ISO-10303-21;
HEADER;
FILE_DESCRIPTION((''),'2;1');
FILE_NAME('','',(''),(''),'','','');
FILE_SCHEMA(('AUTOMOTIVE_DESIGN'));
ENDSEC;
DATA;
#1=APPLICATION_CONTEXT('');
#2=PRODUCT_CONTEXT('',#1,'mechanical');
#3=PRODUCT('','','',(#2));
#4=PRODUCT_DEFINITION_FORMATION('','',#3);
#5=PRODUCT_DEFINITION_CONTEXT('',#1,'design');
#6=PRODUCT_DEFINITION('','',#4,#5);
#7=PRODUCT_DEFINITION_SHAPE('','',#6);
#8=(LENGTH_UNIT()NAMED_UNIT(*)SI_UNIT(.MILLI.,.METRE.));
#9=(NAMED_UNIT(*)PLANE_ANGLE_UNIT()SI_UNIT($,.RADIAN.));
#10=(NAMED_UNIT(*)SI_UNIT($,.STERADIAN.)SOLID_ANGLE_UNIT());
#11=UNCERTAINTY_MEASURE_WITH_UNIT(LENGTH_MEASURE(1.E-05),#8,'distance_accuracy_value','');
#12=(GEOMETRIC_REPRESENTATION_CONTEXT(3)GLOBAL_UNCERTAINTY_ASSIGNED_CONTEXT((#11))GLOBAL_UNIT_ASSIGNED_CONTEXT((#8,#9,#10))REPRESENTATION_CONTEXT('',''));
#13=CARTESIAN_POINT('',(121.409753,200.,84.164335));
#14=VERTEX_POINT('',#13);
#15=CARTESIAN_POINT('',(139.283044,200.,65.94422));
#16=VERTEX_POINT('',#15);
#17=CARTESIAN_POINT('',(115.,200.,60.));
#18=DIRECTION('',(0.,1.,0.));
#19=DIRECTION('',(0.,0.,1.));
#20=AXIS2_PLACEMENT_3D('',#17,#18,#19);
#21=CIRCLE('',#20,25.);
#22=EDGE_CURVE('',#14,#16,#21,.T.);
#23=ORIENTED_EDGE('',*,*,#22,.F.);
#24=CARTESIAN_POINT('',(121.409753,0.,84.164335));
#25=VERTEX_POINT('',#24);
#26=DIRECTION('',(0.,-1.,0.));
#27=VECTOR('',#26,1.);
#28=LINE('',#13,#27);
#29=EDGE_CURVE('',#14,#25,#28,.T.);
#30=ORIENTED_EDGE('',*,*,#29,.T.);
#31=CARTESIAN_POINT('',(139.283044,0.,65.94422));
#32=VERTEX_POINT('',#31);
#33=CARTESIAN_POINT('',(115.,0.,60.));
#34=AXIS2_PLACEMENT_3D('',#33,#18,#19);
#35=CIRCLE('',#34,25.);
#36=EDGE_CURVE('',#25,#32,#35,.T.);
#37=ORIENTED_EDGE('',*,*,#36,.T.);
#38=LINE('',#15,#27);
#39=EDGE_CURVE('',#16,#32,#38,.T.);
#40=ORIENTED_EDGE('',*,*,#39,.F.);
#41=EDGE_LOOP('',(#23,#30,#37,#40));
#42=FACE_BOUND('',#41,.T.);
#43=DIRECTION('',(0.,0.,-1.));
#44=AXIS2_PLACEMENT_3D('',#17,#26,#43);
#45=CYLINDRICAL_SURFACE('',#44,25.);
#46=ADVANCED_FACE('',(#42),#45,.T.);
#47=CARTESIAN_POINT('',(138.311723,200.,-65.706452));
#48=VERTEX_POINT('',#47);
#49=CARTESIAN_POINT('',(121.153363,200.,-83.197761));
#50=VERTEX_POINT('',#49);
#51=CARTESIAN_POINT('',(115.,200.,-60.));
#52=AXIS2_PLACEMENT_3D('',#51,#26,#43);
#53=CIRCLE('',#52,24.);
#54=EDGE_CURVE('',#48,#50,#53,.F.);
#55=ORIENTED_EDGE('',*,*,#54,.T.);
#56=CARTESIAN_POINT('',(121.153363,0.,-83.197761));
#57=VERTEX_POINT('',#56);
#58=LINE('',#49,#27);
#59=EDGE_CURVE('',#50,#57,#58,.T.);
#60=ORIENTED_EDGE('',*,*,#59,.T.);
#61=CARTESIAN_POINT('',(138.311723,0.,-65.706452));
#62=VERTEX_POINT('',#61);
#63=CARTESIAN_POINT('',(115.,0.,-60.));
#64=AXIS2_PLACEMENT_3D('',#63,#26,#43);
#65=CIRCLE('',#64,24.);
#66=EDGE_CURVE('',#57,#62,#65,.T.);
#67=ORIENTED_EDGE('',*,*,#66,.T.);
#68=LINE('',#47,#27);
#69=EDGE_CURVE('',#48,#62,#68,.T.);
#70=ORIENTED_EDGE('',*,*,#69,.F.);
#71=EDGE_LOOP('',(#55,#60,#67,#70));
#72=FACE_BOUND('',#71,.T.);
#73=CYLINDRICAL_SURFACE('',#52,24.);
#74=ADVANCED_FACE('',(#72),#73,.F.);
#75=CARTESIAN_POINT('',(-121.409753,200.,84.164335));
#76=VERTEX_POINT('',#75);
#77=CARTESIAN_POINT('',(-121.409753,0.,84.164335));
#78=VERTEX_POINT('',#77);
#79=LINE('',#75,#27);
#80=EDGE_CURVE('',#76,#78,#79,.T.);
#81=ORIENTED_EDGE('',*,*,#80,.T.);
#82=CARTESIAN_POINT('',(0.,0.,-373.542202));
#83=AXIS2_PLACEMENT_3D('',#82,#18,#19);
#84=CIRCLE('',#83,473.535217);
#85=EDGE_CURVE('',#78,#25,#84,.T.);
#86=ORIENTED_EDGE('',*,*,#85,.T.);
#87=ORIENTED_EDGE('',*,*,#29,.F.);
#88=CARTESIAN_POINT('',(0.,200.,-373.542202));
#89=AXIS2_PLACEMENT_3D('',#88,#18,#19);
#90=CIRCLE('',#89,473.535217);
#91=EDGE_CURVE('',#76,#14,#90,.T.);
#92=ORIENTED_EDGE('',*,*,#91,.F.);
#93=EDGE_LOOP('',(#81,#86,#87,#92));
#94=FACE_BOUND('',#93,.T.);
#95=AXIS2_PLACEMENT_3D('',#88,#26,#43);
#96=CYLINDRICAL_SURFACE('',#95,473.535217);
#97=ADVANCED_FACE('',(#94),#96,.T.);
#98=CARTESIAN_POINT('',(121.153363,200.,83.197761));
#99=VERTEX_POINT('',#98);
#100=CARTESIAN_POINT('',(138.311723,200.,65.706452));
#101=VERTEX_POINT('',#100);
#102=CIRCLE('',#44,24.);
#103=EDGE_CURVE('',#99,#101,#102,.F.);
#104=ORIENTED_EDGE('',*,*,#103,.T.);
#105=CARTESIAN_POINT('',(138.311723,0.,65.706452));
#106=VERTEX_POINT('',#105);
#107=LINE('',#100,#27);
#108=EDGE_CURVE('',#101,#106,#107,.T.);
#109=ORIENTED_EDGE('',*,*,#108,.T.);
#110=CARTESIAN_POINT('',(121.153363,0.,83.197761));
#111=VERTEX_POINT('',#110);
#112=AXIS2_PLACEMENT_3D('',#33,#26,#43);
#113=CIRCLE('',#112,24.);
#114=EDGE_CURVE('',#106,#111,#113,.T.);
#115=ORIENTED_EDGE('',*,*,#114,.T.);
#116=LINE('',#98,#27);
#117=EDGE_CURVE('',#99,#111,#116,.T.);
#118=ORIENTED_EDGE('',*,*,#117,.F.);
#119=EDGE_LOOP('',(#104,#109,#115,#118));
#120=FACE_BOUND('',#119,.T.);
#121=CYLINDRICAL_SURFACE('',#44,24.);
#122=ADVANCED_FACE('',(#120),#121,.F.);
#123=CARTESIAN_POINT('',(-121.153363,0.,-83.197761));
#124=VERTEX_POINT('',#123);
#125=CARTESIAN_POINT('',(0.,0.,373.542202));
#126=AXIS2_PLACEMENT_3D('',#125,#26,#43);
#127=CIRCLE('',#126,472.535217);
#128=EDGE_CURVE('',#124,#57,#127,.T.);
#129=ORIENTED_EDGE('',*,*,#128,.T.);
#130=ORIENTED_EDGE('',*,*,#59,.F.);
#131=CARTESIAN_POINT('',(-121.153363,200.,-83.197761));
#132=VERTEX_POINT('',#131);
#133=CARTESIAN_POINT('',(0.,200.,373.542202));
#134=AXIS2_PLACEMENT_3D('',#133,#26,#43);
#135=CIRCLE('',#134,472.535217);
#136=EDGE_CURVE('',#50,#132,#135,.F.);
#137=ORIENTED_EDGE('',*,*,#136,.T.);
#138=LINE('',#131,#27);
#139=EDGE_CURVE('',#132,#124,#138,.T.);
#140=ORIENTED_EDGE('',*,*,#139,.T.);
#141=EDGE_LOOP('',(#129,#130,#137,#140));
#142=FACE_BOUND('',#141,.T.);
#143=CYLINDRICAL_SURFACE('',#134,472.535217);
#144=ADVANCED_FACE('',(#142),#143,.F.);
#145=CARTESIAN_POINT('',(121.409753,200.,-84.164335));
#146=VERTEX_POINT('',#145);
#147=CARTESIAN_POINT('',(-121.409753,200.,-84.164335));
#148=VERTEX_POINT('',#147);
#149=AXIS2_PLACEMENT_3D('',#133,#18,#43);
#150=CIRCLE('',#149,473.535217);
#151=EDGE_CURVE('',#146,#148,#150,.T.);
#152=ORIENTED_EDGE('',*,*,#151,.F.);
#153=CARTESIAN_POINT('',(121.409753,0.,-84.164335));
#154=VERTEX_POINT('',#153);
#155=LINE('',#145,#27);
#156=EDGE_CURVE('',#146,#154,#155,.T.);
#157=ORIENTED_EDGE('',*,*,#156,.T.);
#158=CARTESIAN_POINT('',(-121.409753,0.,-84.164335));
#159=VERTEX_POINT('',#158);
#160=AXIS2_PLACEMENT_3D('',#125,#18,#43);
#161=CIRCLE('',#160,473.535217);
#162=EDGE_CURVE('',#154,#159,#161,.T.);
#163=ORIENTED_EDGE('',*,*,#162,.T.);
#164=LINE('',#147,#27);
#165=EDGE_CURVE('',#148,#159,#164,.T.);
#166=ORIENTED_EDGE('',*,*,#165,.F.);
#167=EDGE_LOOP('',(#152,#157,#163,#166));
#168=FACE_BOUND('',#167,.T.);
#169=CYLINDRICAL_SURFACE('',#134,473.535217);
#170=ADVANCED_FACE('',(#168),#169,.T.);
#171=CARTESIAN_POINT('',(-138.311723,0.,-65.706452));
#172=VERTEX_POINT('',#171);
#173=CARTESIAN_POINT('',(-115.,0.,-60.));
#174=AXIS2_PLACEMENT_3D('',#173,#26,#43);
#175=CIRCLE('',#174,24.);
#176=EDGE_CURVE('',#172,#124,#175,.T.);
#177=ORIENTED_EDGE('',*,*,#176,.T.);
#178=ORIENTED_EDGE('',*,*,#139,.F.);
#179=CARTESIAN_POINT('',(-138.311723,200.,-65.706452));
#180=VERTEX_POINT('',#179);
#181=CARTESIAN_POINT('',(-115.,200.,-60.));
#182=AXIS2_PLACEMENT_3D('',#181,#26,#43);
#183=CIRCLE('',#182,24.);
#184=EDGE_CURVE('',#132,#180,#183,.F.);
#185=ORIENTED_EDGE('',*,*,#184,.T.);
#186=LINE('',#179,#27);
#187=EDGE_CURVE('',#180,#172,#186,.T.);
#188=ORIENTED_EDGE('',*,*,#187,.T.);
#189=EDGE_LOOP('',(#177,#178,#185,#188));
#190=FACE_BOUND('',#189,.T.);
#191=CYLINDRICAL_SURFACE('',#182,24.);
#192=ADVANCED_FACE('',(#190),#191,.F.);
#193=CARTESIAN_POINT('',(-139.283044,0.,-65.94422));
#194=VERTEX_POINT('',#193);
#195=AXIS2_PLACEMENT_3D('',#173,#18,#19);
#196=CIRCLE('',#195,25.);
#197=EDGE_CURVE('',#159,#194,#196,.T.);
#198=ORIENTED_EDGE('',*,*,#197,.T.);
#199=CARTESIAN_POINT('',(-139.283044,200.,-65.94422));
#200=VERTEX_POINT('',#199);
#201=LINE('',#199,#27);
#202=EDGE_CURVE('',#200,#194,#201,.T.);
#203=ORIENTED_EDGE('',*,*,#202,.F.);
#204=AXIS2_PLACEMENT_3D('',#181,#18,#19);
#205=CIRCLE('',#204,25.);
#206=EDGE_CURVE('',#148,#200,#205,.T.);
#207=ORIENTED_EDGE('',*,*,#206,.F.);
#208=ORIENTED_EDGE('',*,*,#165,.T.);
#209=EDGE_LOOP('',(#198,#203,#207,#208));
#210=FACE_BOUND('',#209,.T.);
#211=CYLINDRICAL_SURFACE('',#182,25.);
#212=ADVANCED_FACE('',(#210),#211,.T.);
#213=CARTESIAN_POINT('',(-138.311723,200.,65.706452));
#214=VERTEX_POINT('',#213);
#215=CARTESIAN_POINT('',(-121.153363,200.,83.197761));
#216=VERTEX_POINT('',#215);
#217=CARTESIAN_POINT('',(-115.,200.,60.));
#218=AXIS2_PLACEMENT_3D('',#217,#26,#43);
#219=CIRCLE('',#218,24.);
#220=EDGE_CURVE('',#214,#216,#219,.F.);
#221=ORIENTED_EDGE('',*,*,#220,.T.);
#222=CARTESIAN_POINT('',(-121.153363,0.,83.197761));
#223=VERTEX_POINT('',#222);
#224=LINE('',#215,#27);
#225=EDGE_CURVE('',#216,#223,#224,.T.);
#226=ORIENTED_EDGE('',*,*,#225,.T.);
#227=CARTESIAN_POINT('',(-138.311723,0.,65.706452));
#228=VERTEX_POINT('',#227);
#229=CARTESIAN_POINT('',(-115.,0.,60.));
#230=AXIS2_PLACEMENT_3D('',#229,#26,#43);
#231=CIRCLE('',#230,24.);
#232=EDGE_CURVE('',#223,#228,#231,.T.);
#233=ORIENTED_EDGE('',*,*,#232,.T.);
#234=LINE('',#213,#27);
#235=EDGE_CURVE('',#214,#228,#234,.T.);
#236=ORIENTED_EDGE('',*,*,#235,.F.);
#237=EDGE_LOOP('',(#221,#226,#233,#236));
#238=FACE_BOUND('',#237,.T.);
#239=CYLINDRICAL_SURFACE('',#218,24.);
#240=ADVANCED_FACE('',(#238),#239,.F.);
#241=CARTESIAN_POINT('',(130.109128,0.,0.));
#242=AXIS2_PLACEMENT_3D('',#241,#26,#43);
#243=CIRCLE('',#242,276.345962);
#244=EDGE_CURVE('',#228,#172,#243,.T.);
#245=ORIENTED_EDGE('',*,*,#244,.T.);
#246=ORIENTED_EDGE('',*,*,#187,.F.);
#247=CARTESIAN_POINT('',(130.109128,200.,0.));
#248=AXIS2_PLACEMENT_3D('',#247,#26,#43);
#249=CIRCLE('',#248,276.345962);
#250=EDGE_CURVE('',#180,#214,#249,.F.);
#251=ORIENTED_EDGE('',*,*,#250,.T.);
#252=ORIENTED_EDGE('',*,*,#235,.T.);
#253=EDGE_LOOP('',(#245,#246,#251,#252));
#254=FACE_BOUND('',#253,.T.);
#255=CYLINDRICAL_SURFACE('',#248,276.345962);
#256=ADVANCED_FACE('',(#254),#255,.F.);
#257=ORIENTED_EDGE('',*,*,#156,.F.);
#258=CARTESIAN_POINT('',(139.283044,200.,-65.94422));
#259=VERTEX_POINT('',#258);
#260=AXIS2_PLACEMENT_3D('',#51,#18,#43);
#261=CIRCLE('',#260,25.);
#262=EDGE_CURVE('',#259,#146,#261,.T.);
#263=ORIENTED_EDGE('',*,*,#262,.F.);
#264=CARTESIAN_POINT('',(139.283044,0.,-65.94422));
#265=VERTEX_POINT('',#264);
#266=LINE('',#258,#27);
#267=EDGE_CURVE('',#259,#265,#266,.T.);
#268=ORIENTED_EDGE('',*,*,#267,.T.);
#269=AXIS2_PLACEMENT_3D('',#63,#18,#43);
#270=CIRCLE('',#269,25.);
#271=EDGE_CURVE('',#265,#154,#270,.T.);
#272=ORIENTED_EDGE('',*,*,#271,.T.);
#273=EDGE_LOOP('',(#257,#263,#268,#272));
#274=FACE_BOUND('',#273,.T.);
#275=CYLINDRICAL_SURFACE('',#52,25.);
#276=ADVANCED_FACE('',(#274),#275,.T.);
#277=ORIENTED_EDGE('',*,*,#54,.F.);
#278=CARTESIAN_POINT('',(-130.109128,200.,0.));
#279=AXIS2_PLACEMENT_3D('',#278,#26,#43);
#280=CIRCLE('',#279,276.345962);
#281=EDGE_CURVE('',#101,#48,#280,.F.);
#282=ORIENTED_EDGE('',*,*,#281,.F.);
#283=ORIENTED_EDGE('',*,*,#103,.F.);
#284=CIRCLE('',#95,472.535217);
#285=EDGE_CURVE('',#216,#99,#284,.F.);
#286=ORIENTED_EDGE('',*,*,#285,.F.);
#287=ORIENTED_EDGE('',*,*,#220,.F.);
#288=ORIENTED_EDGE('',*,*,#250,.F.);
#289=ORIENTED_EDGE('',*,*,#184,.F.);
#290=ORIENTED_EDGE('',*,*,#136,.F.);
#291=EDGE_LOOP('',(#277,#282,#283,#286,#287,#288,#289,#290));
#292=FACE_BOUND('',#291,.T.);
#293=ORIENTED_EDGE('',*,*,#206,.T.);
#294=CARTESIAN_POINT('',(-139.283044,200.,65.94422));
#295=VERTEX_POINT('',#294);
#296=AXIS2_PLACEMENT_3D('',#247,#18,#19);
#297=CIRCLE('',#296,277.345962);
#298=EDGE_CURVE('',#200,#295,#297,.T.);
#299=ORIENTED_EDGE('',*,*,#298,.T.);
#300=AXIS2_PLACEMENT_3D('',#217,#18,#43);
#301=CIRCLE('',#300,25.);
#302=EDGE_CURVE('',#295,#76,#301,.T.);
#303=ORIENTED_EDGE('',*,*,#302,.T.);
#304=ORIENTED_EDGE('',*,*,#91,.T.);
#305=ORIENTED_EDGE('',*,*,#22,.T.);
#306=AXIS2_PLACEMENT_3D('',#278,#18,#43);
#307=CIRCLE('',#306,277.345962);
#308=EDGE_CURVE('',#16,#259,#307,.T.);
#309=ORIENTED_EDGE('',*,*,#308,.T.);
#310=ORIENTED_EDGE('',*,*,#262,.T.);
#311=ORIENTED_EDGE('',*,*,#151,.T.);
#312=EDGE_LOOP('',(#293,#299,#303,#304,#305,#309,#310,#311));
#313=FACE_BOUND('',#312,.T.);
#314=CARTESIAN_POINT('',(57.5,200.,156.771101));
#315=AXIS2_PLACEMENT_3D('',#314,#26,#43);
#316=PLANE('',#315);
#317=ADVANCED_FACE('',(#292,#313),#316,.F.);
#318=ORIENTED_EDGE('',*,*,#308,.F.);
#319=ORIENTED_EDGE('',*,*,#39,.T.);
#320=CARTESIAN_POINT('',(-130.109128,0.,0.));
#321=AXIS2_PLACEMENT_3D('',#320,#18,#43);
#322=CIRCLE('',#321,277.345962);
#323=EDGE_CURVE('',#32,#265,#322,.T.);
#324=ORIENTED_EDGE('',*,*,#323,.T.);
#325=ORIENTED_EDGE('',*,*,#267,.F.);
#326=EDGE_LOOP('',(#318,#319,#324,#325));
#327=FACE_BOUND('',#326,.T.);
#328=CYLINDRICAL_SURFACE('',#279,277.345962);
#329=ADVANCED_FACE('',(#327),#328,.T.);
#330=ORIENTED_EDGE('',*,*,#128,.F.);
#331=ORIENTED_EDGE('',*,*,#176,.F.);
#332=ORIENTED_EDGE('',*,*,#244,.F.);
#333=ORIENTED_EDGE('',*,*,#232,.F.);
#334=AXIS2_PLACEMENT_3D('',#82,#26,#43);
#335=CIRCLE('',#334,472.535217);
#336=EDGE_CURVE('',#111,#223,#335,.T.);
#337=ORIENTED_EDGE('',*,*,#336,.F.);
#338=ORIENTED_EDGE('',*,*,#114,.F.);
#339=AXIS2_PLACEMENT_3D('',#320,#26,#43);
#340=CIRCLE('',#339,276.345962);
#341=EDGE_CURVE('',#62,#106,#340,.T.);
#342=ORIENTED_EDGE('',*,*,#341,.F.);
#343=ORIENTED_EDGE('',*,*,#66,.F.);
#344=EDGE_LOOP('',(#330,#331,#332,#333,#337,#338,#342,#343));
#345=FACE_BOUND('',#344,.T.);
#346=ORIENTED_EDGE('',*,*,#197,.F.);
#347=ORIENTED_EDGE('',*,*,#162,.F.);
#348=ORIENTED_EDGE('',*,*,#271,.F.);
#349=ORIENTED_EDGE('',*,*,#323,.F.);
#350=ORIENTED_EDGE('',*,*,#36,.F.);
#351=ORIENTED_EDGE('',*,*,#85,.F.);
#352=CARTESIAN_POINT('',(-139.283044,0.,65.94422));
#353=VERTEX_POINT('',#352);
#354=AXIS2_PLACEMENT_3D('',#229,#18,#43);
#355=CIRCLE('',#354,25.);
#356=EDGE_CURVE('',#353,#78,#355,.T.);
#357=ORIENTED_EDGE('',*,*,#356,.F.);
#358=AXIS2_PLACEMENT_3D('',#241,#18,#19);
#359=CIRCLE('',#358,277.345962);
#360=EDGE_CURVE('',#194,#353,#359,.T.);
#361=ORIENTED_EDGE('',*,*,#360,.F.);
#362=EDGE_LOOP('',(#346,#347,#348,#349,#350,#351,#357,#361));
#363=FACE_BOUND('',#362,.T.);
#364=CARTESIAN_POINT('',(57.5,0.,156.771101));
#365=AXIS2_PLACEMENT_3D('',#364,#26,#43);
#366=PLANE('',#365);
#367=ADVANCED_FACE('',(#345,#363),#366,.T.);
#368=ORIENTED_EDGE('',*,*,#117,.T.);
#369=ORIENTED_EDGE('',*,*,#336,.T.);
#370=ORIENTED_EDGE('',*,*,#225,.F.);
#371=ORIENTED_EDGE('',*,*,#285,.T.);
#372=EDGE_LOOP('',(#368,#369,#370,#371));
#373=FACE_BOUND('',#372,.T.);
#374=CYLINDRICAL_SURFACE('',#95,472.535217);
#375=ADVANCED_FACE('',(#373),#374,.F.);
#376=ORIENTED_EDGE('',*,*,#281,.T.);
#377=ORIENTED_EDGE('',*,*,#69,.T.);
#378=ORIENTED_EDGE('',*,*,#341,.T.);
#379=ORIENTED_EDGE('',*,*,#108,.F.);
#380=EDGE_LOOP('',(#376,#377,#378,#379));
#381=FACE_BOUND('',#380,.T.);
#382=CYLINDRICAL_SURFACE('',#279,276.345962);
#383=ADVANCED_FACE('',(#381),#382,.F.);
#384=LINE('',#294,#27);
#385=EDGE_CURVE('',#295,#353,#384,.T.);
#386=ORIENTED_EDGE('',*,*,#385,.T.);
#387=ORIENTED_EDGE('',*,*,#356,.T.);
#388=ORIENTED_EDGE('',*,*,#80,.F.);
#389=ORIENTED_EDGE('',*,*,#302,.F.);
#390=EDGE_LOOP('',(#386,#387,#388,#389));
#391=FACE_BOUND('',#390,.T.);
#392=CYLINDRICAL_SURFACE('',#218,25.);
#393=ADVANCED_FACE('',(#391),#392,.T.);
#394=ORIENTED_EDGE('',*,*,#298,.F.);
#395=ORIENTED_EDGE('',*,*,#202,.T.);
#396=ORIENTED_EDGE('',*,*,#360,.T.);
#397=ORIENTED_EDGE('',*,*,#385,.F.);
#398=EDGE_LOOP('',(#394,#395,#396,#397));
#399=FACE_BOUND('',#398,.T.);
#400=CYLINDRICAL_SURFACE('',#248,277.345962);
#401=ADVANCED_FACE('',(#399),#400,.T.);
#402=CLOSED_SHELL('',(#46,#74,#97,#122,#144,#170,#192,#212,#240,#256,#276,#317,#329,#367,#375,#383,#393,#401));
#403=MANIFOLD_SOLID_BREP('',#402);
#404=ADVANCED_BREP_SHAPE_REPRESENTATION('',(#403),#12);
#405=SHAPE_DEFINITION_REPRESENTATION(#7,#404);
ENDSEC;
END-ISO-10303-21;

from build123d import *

# Parameters (mm, degrees)
BOSS_EXTRUDE1_DEPTH = 200
SHELL3_T            = -1
CUT_EXTRUDE1_DEPTH  = 200


with BuildPart() as part:
    # Sketch1 → Boss-Extrude1 (new body)
    with BuildSketch(Plane(origin=(0, 0, 0), x_dir=(1, 0, 0), z_dir=(0, 1, 0))):
        with BuildLine():
            ThreePointArc((-121.409753109, 84.164334567), (-132.846711046, 77.506995883), (-139.283044385, 65.944220336))
            ThreePointArc((-139.283044385, 65.944220336), (-147.236834181, 0), (-139.283044385, -65.944220336))
            ThreePointArc((-139.283044385, -65.944220336), (-132.846711046, -77.506995883), (-121.409753109, -84.164334567))
            ThreePointArc((-121.409753109, -84.164334567), (0, -99.99301504), (121.409753109, -84.164334567))
            ThreePointArc((121.409753109, -84.164334567), (132.846711046, -77.506995883), (139.283044385, -65.944220336))
            ThreePointArc((139.283044385, -65.944220336), (147.236834181, 0), (139.283044385, 65.944220336))
            ThreePointArc((139.283044385, 65.944220336), (132.846711046, 77.506995883), (121.409753109, 84.164334567))
            ThreePointArc((121.409753109, 84.164334567), (0, 99.99301504), (-121.409753109, 84.164334567))
        make_face()
    extrude(amount=BOSS_EXTRUDE1_DEPTH)

    # Shell3
    shell3_openings = [part.faces().sort_by_distance(p)[0] for p in [
        (0, 200, 0),
    ]]
    offset(amount=SHELL3_T, openings=shell3_openings, kind=Kind.INTERSECTION)

    # Sketch3 → Cut-Extrude1 (cut)
    with BuildSketch(Plane.XZ):
        with BuildLine():
            ThreePointArc((-121.153362985, -83.197761185), (0, -98.99301504), (121.153362985, -83.197761185))
            ThreePointArc((121.153362985, -83.197761185), (132.132842604, -76.806716048), (138.311722609, -65.706451522))
            ThreePointArc((138.311722609, -65.706451522), (146.236834181, 0), (138.311722609, 65.706451522))
            ThreePointArc((138.311722609, 65.706451522), (132.132842604, 76.806716048), (121.153362985, 83.197761185))
            ThreePointArc((121.153362985, 83.197761185), (0, 98.99301504), (-121.153362985, 83.197761185))
            ThreePointArc((-121.153362985, 83.197761185), (-132.132842604, 76.806716048), (-138.311722609, 65.706451522))
            ThreePointArc((-138.311722609, 65.706451522), (-146.236834181, 0), (-138.311722609, -65.706451522))
            ThreePointArc((-138.311722609, -65.706451522), (-132.132842604, -76.806716048), (-121.153362985, -83.197761185))
        make_face()
    extrude(amount=-CUT_EXTRUDE1_DEPTH, mode=Mode.SUBTRACT)


solid = part.part
